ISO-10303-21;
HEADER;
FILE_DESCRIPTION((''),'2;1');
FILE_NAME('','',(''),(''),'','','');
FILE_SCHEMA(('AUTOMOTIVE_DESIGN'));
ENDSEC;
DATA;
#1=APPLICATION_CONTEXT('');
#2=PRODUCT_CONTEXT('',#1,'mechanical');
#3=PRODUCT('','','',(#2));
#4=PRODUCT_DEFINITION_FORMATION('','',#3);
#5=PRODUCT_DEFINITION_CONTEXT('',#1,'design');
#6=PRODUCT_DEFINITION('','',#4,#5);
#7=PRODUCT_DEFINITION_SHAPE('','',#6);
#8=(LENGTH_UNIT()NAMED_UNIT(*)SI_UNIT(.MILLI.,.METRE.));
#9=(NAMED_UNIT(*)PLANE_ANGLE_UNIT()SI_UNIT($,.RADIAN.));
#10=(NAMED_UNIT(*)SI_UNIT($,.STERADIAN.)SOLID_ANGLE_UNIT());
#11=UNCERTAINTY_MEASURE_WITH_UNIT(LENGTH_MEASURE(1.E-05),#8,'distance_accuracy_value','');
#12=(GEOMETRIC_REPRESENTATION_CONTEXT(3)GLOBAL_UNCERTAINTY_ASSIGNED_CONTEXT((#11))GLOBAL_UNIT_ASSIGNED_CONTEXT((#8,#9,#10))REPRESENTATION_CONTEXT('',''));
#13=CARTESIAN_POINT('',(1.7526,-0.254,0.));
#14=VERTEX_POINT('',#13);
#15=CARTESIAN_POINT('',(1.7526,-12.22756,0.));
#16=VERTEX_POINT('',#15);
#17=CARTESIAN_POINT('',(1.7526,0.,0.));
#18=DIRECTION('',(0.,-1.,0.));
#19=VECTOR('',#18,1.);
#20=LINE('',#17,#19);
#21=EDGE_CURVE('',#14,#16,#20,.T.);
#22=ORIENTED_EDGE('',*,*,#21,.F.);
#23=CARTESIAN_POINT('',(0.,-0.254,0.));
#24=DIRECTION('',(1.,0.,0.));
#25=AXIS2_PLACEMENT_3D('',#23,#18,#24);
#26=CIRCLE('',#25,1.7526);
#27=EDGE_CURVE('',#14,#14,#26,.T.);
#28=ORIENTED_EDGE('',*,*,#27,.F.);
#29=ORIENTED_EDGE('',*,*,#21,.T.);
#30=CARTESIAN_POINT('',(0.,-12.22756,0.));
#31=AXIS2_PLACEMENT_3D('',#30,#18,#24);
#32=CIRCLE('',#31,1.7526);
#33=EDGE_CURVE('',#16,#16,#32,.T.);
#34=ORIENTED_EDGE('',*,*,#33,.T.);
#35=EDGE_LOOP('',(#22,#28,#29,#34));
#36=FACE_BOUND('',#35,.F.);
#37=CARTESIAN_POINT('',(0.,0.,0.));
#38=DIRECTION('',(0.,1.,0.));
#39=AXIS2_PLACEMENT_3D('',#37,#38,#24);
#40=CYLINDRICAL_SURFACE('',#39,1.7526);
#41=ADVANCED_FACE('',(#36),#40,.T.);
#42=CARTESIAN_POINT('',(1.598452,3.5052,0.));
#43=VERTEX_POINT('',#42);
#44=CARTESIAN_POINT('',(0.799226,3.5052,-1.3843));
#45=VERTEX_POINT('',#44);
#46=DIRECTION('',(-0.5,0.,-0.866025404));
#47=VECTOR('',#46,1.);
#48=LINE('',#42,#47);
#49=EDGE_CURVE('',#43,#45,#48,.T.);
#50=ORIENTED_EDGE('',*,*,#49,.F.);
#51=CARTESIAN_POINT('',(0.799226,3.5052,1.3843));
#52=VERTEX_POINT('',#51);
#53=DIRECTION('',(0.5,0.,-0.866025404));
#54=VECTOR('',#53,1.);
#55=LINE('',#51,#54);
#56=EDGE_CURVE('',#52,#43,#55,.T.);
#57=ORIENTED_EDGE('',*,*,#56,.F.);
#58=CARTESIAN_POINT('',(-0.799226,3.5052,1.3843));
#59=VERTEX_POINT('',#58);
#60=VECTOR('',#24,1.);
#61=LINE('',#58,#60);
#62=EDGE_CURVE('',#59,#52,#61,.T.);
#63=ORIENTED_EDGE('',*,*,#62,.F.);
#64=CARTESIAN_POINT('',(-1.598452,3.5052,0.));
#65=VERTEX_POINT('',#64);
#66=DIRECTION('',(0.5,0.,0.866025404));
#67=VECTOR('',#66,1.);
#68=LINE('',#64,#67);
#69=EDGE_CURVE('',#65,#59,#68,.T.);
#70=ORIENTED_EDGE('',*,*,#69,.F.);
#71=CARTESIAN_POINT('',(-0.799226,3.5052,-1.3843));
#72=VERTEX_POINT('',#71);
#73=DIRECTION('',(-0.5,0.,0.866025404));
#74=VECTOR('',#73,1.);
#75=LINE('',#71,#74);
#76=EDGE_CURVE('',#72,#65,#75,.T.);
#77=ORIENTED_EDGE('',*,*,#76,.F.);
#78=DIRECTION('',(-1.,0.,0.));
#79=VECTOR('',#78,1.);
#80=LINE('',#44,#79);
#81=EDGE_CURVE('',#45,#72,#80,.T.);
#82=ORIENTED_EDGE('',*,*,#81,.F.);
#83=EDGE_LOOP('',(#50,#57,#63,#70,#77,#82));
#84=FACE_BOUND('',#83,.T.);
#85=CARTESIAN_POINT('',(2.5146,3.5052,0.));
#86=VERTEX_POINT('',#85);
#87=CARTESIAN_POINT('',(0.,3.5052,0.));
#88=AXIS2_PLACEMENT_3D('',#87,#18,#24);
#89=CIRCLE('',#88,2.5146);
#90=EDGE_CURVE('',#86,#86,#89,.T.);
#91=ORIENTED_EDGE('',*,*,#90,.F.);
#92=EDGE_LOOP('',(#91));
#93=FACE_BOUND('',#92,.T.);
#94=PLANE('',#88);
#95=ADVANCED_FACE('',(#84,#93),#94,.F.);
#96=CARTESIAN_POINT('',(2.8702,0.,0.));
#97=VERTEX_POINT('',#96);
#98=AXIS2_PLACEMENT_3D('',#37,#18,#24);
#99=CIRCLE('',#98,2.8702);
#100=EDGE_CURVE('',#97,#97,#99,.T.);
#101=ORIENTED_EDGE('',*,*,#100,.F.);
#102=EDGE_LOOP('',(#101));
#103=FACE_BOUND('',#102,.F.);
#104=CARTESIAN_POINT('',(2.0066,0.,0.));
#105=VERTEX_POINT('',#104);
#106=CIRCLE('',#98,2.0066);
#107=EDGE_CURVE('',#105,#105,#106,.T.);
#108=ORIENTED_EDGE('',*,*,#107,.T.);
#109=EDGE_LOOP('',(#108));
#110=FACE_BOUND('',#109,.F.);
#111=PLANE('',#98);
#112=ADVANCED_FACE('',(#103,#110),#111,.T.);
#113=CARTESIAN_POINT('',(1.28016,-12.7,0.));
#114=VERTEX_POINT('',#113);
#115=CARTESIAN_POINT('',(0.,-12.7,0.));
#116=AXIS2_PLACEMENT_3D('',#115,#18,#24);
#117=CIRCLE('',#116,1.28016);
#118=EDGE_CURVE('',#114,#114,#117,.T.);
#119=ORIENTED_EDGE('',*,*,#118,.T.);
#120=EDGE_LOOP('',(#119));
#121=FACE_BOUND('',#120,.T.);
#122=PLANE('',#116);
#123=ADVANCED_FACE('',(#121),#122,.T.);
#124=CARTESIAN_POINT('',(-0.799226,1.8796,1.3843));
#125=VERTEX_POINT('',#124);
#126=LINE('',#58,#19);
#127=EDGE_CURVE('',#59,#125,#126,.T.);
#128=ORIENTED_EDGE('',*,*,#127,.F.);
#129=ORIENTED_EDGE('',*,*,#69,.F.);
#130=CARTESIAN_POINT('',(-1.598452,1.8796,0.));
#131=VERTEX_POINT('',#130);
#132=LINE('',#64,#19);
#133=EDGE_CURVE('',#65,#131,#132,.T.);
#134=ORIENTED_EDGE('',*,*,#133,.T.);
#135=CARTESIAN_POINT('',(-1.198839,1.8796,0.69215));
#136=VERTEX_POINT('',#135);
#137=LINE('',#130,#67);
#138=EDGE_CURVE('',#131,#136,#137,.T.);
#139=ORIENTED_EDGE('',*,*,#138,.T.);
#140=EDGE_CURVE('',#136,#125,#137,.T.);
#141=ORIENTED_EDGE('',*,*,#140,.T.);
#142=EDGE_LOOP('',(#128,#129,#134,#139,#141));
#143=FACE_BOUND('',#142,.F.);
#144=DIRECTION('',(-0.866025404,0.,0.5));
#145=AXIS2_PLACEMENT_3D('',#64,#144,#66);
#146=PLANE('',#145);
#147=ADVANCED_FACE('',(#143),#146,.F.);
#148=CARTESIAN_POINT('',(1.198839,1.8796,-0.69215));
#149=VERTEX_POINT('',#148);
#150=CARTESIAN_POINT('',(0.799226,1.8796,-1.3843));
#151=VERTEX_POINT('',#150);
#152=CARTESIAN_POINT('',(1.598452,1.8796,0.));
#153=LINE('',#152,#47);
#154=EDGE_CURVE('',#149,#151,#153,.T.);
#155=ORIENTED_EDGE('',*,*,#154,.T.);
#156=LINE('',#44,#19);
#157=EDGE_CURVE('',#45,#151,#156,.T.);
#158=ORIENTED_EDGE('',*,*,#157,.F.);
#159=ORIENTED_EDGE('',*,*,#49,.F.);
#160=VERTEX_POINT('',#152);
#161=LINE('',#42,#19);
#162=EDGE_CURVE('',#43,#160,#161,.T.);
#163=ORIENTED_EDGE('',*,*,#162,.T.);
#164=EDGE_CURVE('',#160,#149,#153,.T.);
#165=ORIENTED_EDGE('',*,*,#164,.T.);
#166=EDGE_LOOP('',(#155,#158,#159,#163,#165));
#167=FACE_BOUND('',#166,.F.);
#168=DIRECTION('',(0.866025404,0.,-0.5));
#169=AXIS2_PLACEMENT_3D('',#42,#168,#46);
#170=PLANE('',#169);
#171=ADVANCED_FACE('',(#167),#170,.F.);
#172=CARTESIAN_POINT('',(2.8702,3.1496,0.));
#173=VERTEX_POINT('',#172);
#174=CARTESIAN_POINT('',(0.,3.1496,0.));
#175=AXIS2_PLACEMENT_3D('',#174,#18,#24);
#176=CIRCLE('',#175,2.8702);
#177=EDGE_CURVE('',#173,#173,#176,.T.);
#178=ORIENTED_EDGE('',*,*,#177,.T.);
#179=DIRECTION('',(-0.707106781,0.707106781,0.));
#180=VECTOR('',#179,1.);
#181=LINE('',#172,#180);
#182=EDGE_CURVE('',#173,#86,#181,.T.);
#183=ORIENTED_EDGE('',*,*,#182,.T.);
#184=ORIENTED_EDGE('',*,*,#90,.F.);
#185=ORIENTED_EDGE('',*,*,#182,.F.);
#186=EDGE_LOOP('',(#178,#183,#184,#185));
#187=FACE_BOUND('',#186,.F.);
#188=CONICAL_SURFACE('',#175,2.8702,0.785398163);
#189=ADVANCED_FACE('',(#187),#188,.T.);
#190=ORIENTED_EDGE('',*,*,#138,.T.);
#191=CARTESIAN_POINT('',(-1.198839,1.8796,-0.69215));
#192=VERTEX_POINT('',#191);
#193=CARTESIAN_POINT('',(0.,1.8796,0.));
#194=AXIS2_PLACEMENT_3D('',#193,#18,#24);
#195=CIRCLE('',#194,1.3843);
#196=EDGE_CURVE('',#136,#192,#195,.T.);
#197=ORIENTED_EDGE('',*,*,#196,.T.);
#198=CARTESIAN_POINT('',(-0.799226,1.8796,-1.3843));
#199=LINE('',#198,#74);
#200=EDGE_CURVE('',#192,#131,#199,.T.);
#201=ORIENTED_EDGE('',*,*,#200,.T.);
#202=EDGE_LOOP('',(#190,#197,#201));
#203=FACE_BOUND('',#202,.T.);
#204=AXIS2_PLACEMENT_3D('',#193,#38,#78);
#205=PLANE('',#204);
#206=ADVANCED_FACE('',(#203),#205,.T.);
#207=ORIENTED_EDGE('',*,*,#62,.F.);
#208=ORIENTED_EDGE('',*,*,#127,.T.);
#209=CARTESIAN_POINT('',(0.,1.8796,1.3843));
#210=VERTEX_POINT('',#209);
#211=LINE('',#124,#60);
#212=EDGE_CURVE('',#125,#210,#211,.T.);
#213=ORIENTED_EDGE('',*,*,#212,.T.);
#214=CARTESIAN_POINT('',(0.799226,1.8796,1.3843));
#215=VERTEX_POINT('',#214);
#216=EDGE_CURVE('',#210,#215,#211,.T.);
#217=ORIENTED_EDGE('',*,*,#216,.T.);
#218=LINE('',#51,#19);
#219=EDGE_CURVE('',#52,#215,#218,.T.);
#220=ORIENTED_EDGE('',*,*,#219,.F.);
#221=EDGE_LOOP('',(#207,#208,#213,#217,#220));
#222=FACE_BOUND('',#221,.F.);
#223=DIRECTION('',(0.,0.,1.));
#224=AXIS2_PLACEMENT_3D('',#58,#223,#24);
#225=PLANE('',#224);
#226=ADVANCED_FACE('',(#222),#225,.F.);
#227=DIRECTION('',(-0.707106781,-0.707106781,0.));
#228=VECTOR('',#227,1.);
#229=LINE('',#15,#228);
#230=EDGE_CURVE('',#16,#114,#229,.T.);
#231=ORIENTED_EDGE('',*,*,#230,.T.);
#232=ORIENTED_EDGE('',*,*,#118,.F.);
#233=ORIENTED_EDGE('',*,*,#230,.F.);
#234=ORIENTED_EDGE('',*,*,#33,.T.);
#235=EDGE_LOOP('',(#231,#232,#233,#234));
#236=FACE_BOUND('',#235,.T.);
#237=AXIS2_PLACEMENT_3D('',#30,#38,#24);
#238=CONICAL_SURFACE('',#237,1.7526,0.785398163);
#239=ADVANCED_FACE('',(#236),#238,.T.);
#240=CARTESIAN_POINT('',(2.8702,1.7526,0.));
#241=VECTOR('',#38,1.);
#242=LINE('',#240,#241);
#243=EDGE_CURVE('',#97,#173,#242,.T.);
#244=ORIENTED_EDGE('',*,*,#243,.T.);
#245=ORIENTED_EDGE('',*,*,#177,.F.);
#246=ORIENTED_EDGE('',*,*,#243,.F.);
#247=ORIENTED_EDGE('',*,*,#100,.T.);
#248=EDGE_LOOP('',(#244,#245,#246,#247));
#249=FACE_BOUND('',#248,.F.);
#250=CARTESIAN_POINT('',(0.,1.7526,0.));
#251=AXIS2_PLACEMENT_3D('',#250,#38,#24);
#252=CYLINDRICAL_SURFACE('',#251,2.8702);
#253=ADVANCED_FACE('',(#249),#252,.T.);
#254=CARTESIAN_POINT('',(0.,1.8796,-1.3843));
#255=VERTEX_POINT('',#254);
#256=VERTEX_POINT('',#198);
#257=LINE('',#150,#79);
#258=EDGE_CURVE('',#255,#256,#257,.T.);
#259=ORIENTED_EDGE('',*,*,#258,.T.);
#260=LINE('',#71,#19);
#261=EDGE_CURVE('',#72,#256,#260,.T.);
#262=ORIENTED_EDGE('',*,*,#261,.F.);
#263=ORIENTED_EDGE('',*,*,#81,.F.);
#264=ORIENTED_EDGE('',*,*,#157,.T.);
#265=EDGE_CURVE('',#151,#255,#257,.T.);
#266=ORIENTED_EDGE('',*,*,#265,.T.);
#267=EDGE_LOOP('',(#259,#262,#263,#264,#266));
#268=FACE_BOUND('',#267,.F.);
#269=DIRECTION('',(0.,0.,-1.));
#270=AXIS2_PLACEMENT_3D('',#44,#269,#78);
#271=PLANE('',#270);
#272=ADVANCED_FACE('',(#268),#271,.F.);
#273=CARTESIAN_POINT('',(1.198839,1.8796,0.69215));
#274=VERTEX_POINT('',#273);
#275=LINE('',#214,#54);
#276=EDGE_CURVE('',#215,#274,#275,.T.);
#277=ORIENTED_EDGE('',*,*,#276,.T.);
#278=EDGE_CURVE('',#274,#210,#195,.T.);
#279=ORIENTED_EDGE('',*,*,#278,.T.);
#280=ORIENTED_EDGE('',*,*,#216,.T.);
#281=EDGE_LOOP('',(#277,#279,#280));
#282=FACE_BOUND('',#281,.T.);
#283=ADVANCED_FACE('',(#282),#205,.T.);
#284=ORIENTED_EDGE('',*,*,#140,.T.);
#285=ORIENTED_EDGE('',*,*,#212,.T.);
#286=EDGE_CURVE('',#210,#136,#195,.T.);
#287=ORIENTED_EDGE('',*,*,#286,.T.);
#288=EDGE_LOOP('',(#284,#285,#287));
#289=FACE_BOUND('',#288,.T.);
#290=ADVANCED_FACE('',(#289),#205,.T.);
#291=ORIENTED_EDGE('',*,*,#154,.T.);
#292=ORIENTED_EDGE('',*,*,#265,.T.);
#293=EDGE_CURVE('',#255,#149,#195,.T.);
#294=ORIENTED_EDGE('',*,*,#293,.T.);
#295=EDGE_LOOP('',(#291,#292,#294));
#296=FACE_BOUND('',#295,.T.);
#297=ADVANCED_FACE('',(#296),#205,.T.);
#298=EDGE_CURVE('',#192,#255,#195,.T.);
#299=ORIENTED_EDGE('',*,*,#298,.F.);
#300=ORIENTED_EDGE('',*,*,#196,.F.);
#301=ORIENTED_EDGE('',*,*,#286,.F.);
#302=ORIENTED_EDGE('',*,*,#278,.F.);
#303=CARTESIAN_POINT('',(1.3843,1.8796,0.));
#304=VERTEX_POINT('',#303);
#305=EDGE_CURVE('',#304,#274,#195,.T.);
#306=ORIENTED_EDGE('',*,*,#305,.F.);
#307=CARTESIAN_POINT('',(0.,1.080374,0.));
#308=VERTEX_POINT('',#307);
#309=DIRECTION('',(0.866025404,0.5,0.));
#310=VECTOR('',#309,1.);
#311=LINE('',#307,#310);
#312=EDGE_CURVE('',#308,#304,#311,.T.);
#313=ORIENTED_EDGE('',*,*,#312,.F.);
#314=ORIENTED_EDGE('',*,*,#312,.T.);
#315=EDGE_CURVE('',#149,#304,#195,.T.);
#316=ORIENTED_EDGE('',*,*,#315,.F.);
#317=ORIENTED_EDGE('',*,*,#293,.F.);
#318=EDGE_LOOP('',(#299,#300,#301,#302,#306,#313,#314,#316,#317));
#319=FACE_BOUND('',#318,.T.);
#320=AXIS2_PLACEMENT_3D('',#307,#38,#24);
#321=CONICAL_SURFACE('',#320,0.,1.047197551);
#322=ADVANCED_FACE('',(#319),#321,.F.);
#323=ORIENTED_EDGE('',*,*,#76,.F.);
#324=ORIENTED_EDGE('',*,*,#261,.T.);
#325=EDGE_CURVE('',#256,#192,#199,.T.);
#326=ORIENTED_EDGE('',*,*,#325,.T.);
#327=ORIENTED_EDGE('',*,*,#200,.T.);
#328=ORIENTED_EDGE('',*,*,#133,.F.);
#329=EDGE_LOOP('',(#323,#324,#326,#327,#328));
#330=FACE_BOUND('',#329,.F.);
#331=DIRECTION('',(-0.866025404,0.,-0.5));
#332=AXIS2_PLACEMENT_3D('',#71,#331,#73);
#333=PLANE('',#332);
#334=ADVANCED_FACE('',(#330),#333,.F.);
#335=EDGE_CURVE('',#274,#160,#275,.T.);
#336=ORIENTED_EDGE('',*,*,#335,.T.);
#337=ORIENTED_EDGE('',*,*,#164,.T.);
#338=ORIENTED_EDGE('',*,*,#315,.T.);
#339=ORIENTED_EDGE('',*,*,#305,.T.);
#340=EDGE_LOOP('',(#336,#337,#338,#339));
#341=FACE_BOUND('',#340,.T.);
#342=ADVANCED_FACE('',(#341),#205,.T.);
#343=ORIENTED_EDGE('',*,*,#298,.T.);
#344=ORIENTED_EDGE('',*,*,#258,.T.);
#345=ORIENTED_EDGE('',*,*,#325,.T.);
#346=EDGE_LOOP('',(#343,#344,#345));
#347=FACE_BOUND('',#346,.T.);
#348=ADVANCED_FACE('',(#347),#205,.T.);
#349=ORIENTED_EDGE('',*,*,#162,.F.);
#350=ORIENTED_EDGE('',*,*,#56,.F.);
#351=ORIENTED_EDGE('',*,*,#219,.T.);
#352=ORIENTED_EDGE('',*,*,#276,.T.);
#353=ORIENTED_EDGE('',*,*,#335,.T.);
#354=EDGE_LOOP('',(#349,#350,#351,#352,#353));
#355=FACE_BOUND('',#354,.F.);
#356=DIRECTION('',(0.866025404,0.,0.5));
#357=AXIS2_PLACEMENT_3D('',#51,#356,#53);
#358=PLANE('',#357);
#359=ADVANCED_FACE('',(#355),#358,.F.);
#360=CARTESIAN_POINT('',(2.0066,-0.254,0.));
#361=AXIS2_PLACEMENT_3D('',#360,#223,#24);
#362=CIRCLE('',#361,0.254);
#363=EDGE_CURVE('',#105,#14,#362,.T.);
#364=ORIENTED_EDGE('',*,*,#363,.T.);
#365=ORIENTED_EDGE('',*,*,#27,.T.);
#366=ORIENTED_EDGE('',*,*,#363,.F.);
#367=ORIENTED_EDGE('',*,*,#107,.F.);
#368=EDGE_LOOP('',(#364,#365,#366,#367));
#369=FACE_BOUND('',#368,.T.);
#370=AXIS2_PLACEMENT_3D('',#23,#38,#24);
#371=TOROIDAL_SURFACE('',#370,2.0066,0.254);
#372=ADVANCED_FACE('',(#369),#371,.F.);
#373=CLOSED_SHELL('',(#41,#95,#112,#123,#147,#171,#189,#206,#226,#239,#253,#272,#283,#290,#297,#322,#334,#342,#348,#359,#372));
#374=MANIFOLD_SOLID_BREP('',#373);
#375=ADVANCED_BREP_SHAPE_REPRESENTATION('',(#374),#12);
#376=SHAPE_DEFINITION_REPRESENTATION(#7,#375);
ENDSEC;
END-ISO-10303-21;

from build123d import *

# Parameters (mm, degrees)
SKETCH1_W           = 2.8702
SKETCH1_H           = 3.5052
SKETCH2_R           = 1.7526
BOSS_EXTRUDE1_DEPTH = 12.7
CUT_EXTRUDE1_DEPTH  = 1.6256
CHAMFER1_SIZE       = 0.47244
CHAMFER2_SIZE       = 0.3556
FILLET1_R           = 0.254


with BuildPart() as part:
    # Sketch1 → Revolve1 (revolve)
    with BuildSketch(Plane.XY):
        with Locations((1.4351, 1.7526)):
            Rectangle(SKETCH1_W, SKETCH1_H)
    revolve(axis=Axis((0, 3.5052, 0), (0, -1, 0)))

    # Sketch2 → Boss-Extrude1 (add)
    with BuildSketch(Plane.XZ):
        Circle(SKETCH2_R)
    extrude(amount=BOSS_EXTRUDE1_DEPTH)

    # Sketch3 → Cut-Extrude1 (cut)
    with BuildSketch(Plane(origin=(0, 3.5052, 0), x_dir=(-1, 0, 0), z_dir=(0, 1, 0))):
        Polygon((-0.799225978, 1.3843), (-1.598451955, 0), (-0.799225978, -1.3843), (0.799225978, -1.3843), (1.598451955, 0), (0.799225978, 1.3843), align=None)
    extrude(amount=-CUT_EXTRUDE1_DEPTH, mode=Mode.SUBTRACT)

    # Sketch4 → Cut-Revolve1 (revolve, cut)
    with BuildSketch(Plane.XY):
        Polygon((1.3843, 1.8796), (0, 1.8796), (0, 1.080374022), align=None)
    revolve(axis=Axis((0, 1.879625, 0), (0, -1, 0)), mode=Mode.SUBTRACT)

    # Chamfer1
    chamfer1_edges = [part.edges().sort_by_distance(p)[0] for p in [
        (-1.7526, -12.7, 0),
    ]]
    chamfer(chamfer1_edges, length=CHAMFER1_SIZE)

    # Chamfer2
    chamfer2_edges = [part.edges().sort_by_distance(p)[0] for p in [
        (-2.8702, 3.5052, 0),
    ]]
    chamfer(chamfer2_edges, length=CHAMFER2_SIZE)

    # Fillet1
    fillet1_edges = [part.edges().sort_by_distance(p)[0] for p in [
        (-1.7526, 0, 0),
    ]]
    fillet(fillet1_edges, radius=FILLET1_R)


solid = part.part
